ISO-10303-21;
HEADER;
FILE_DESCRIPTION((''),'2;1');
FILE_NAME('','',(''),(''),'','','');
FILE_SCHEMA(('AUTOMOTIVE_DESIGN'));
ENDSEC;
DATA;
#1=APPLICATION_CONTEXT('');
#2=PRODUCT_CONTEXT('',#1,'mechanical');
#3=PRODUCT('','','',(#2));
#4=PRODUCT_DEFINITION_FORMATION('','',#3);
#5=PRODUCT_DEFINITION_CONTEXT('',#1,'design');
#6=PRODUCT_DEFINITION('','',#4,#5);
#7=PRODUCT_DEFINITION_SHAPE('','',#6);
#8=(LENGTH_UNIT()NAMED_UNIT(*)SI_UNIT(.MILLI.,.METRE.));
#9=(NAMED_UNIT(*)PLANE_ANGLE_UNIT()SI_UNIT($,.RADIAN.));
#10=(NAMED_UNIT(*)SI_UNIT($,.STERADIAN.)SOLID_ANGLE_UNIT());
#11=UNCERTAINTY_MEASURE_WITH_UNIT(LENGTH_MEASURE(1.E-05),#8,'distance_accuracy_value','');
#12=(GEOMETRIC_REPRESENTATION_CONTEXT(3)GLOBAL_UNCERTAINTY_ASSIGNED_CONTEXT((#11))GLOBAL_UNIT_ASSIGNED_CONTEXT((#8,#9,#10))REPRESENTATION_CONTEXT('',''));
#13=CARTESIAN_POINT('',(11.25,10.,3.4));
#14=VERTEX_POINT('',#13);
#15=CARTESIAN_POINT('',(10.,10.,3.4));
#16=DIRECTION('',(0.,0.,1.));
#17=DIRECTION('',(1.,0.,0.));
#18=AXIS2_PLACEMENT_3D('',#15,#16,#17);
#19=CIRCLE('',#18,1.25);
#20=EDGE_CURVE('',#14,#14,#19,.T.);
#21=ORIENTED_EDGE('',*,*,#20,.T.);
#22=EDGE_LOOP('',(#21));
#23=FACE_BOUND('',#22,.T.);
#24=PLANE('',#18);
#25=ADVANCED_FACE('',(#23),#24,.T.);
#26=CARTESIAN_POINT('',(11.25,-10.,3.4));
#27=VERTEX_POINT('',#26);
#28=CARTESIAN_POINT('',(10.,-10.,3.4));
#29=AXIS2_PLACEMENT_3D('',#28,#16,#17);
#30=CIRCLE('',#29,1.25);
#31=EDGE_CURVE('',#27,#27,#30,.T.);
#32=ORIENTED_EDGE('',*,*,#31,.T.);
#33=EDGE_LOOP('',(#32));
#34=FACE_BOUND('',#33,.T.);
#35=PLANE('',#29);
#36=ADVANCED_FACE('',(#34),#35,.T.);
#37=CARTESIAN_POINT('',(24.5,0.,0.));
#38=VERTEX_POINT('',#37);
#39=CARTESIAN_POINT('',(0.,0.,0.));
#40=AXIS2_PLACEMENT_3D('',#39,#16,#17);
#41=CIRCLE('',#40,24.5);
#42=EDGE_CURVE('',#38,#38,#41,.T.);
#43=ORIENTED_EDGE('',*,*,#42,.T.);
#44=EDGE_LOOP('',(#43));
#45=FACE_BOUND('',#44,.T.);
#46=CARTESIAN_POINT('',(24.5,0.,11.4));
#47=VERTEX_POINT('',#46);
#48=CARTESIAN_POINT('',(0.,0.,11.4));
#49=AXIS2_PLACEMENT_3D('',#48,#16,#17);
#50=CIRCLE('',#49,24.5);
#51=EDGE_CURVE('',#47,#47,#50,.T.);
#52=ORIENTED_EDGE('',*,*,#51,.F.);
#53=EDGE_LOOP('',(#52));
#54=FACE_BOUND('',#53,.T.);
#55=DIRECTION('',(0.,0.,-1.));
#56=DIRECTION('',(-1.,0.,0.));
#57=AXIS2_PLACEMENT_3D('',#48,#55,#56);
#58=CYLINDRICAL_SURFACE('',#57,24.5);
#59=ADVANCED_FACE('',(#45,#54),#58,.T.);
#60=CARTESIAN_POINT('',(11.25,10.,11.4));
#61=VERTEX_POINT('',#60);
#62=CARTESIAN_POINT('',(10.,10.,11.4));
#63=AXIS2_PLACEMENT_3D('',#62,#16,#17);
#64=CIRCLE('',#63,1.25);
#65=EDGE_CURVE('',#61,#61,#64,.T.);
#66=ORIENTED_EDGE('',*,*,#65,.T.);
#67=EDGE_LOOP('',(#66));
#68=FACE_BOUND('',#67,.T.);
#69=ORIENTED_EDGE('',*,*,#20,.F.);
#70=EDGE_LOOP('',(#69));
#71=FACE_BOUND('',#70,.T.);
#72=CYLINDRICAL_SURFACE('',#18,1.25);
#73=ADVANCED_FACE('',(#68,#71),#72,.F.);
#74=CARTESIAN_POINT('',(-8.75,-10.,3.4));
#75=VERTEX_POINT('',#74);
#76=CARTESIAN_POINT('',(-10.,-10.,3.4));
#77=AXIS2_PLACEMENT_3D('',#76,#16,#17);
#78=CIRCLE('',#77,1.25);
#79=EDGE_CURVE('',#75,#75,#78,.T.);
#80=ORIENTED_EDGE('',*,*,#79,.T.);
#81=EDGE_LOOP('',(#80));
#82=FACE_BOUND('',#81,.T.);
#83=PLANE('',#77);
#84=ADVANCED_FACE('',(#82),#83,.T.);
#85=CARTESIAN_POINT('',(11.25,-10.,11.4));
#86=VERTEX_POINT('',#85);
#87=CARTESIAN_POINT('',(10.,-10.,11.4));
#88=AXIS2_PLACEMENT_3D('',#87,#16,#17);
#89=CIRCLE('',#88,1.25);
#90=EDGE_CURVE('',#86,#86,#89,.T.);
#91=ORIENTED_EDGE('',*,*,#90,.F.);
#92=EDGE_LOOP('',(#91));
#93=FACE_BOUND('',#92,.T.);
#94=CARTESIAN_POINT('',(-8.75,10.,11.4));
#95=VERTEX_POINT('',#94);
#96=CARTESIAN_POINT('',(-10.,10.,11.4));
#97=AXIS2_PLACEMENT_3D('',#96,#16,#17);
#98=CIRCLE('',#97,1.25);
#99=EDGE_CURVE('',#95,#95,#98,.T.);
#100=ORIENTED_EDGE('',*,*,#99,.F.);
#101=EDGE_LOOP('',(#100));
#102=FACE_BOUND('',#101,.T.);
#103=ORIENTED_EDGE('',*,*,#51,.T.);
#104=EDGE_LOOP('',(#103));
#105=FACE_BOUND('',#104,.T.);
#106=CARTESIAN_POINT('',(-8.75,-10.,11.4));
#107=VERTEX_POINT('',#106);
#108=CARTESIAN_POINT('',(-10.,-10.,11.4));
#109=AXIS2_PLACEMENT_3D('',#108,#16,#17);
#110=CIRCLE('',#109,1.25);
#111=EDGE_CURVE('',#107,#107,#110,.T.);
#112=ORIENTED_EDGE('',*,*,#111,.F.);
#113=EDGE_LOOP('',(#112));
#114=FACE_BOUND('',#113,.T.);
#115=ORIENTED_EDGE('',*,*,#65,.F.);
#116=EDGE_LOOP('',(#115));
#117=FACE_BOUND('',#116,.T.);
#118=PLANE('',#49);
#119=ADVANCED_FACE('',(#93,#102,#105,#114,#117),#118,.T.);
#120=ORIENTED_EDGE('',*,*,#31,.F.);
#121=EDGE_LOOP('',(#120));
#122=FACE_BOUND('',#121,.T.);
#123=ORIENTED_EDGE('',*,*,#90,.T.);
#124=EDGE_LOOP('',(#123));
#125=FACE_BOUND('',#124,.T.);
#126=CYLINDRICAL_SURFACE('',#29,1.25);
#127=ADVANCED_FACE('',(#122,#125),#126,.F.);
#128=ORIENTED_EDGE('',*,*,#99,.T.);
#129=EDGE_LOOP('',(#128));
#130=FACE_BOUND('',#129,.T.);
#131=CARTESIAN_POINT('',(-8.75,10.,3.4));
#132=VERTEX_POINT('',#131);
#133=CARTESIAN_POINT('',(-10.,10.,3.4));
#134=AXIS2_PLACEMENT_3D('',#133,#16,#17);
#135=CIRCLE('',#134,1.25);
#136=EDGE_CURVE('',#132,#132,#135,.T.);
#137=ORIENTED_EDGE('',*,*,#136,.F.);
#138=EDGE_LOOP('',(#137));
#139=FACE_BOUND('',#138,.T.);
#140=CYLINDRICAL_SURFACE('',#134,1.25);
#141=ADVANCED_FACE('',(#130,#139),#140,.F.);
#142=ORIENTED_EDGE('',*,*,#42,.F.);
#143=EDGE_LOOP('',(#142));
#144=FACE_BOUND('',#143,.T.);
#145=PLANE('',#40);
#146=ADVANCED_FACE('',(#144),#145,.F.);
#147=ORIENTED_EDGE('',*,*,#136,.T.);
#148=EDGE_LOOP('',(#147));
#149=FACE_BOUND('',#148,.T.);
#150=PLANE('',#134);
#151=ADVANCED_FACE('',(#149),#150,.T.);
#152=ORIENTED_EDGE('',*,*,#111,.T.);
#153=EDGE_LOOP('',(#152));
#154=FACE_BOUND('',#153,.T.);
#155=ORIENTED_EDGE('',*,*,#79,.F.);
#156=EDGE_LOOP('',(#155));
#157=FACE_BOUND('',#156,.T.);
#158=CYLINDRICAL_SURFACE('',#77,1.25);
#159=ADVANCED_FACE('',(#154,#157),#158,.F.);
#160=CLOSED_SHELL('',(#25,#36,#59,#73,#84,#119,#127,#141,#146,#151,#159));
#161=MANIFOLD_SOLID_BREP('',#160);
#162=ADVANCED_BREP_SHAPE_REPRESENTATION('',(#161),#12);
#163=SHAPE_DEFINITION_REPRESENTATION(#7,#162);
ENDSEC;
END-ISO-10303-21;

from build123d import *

# Parameters (mm, degrees)
SKETCH_1_R          = 24.5
EXTRUDE_1_DEPTH     = 11.4
SKETCH_2_R          = 1.25
CUT_EXTRUDE_1_DEPTH = 8


with BuildPart() as part:
    # 草图1 → 凸台-拉伸1 (new body)
    with BuildSketch(Plane.XY):
        Circle(SKETCH_1_R)
    extrude(amount=EXTRUDE_1_DEPTH)

    # 草图2 → 切除-拉伸1 (cut)
    with BuildSketch(Plane.XY.offset(11.4)):
        with Locations((-10, 10)):
            Circle(SKETCH_2_R)
        with Locations((10, 10)):
            Circle(SKETCH_2_R)
        with Locations((-10, -10)):
            Circle(SKETCH_2_R)
        with Locations((10, -10)):
            Circle(SKETCH_2_R)
    extrude(amount=-CUT_EXTRUDE_1_DEPTH, mode=Mode.SUBTRACT)


solid = part.part
